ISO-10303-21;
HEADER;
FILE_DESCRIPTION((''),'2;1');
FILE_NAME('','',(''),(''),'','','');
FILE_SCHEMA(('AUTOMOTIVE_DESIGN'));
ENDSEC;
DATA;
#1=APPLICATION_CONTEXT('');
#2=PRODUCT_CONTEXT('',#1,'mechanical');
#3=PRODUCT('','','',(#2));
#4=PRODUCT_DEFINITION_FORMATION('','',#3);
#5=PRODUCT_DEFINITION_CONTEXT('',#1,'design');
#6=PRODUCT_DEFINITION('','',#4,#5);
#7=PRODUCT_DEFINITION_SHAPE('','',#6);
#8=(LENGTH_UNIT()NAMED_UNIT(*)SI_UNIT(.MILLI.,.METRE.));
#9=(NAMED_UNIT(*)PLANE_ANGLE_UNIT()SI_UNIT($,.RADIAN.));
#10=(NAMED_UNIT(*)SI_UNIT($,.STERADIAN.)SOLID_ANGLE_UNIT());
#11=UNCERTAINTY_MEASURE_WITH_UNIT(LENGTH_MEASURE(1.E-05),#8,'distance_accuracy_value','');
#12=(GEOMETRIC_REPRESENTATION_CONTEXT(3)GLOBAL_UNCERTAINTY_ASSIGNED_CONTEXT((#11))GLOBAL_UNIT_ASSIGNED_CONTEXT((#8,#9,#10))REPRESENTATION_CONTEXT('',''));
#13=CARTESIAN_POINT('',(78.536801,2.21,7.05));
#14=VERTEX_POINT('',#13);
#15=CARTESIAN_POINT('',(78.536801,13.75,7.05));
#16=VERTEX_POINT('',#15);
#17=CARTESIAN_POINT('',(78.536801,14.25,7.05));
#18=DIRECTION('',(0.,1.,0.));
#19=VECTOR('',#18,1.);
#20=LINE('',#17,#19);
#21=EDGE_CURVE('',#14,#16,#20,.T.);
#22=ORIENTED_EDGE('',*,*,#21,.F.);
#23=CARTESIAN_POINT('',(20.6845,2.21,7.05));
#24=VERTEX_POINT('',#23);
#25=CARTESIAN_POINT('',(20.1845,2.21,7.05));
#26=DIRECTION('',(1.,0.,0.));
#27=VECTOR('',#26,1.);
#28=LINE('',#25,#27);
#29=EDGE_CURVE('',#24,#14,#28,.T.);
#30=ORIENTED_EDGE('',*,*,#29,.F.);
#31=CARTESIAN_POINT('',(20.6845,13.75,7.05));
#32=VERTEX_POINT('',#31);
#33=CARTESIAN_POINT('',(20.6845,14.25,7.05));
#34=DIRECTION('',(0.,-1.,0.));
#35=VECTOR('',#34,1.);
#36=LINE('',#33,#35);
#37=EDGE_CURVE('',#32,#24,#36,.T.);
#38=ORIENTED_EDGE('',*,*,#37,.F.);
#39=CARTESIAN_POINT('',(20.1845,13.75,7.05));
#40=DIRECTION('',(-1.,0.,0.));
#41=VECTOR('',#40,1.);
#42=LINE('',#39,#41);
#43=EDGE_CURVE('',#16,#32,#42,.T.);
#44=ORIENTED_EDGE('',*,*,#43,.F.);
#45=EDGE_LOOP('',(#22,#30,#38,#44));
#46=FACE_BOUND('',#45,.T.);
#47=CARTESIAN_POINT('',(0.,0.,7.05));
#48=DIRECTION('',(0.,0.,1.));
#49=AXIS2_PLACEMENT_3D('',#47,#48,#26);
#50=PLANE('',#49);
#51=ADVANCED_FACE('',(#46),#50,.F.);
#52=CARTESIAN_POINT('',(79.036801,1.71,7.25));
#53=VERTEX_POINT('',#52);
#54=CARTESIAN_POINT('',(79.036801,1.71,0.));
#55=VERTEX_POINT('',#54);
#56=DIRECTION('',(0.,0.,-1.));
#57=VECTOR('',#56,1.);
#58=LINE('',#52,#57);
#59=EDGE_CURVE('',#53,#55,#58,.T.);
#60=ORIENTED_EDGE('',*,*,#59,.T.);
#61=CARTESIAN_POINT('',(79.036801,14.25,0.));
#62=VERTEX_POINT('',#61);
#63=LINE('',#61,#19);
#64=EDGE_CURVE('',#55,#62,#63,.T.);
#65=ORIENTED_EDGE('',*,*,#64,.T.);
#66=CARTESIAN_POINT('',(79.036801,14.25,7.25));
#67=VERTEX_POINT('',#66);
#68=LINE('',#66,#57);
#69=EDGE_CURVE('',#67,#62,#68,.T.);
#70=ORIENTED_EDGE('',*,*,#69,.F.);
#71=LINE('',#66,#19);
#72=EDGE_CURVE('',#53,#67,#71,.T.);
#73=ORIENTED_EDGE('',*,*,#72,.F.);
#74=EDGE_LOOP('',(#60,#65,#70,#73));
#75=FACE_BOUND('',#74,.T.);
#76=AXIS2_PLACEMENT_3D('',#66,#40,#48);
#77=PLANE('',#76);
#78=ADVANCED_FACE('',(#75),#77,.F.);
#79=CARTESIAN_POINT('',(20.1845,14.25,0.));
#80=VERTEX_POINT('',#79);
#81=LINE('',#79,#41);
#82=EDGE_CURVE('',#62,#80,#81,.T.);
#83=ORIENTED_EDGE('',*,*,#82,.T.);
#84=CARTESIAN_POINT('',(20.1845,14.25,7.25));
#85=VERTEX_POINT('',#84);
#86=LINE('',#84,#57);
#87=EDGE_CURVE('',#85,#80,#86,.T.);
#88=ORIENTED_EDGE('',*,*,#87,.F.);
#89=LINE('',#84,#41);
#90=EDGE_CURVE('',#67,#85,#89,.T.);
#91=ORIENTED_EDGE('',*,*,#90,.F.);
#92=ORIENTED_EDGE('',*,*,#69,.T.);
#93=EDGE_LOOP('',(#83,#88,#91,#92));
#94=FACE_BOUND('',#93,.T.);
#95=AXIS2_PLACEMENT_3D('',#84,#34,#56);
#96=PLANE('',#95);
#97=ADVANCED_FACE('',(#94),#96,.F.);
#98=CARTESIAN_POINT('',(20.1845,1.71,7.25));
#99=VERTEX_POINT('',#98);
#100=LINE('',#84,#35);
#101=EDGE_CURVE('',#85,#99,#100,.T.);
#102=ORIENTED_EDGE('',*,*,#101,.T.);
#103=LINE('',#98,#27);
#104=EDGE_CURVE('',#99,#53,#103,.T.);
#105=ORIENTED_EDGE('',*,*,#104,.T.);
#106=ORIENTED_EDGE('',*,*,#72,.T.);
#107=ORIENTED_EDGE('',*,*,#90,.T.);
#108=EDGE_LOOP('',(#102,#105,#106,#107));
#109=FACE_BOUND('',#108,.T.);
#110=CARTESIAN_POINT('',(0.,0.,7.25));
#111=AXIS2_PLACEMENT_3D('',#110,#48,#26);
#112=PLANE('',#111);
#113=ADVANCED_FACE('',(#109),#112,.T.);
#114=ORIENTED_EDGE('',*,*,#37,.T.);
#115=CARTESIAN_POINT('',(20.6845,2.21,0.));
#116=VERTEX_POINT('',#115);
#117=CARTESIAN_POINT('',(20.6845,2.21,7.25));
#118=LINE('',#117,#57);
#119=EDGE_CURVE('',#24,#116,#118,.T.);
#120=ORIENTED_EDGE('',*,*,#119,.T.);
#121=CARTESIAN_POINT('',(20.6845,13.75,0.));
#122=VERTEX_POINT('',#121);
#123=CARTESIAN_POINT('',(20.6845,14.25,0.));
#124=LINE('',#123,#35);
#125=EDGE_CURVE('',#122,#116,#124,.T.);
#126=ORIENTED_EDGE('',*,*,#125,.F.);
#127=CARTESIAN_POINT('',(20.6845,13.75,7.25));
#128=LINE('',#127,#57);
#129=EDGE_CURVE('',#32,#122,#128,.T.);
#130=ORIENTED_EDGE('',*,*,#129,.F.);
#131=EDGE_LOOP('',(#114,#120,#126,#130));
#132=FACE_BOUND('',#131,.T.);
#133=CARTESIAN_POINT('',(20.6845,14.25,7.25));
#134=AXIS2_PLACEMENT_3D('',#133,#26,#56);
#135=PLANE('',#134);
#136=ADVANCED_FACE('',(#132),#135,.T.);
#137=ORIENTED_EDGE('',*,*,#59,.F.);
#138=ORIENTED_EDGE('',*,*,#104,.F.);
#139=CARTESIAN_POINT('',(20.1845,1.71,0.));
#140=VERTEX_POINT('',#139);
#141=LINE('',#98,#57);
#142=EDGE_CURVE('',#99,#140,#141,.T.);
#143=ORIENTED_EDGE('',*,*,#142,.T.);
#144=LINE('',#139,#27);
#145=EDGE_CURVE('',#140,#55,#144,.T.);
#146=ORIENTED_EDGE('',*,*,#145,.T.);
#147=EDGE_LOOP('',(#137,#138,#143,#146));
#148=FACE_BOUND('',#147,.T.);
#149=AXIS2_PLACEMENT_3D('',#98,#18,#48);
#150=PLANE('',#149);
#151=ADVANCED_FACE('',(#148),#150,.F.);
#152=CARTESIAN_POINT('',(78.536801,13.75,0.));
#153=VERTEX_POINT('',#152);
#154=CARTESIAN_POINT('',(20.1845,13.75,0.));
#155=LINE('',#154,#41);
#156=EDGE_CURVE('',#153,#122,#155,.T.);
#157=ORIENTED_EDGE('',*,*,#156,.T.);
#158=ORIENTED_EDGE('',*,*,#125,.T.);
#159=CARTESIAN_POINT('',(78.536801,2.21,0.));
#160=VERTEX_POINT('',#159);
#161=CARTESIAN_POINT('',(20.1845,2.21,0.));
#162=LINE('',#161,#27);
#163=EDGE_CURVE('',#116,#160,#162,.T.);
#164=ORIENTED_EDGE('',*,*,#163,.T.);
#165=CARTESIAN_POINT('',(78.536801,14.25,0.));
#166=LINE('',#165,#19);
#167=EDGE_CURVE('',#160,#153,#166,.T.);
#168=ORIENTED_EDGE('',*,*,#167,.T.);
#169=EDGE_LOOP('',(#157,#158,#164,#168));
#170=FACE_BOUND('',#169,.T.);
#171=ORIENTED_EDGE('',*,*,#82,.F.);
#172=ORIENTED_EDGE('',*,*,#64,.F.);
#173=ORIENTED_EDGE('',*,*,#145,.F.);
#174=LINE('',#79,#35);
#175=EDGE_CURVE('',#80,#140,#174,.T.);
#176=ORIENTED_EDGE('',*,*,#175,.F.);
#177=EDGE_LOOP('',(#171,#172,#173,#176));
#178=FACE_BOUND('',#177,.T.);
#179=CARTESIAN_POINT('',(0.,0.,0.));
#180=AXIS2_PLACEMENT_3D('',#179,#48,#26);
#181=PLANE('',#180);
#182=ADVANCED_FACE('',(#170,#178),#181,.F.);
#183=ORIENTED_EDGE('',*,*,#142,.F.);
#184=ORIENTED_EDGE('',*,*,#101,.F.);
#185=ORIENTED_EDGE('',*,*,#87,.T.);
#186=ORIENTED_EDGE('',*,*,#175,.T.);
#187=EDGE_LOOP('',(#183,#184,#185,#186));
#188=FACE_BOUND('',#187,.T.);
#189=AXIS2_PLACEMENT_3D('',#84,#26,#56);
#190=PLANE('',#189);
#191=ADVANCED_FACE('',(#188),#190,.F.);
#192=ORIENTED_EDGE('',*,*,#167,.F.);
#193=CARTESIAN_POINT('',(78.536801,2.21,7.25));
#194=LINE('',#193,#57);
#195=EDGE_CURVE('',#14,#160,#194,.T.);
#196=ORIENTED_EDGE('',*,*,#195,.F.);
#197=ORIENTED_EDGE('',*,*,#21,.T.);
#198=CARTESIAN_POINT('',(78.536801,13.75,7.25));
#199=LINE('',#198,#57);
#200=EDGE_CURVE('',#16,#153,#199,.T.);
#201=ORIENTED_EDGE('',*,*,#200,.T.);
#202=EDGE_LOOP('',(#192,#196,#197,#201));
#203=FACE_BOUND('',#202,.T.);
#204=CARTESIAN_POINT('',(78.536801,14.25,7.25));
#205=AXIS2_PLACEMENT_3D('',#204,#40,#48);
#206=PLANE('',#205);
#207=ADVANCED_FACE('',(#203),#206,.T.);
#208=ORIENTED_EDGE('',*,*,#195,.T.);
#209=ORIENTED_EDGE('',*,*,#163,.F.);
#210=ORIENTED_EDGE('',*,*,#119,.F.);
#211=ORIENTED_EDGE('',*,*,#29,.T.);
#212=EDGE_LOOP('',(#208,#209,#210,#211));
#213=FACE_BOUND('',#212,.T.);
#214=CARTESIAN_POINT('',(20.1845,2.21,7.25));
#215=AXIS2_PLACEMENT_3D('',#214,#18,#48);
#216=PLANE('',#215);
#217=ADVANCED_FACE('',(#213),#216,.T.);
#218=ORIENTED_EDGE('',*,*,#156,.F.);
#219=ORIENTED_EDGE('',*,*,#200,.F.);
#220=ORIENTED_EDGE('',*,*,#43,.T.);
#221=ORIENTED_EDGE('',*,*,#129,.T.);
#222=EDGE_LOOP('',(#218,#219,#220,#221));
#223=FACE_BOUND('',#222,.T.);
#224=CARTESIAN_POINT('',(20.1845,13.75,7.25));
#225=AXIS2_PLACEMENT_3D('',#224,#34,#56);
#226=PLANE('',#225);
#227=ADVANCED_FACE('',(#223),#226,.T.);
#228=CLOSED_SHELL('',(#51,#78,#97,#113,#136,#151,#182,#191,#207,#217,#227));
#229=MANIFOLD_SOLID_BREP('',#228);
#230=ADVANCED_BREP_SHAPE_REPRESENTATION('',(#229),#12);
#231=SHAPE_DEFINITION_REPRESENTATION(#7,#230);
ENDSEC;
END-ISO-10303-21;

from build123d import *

# Parameters (mm, degrees)
SKETCH1_W                 = 58.85230149
SKETCH1_H                 = 12.54
BOSS_EXTRUDE1_DEPTH       = 7.25
SHELL1_T                  = -0.5
SHELL1_THICKNESS_2_FACE_W = 57.85230149
SHELL1_THICKNESS_2_FACE_H = 11.54
SHELL1_THICKNESS_2_DEPTH  = 0.3


with BuildPart() as part:
    # Sketch1 → Boss-Extrude1 (new body)
    with BuildSketch(Plane.XY):
        with Locations((49.610650745, 7.98)):
            Rectangle(SKETCH1_W, SKETCH1_H)
    extrude(amount=BOSS_EXTRUDE1_DEPTH)

    # Shell1
    shell1_openings = [part.faces().sort_by_distance(p)[0] for p in [
        (49.610650745, 7.98, 0),
    ]]
    offset(amount=SHELL1_T, openings=shell1_openings, kind=Kind.INTERSECTION)

    # Shell1 thickness 2 face (on inner face of the shell) → Shell1 thickness 2 (cut)
    with BuildSketch(Plane(origin=(49.610650745, 7.98, 6.75), x_dir=(1, 0, 0), z_dir=(0, 0, 1))):
        Rectangle(SHELL1_THICKNESS_2_FACE_W, SHELL1_THICKNESS_2_FACE_H)
    extrude(amount=SHELL1_THICKNESS_2_DEPTH, mode=Mode.SUBTRACT)


solid = part.part
